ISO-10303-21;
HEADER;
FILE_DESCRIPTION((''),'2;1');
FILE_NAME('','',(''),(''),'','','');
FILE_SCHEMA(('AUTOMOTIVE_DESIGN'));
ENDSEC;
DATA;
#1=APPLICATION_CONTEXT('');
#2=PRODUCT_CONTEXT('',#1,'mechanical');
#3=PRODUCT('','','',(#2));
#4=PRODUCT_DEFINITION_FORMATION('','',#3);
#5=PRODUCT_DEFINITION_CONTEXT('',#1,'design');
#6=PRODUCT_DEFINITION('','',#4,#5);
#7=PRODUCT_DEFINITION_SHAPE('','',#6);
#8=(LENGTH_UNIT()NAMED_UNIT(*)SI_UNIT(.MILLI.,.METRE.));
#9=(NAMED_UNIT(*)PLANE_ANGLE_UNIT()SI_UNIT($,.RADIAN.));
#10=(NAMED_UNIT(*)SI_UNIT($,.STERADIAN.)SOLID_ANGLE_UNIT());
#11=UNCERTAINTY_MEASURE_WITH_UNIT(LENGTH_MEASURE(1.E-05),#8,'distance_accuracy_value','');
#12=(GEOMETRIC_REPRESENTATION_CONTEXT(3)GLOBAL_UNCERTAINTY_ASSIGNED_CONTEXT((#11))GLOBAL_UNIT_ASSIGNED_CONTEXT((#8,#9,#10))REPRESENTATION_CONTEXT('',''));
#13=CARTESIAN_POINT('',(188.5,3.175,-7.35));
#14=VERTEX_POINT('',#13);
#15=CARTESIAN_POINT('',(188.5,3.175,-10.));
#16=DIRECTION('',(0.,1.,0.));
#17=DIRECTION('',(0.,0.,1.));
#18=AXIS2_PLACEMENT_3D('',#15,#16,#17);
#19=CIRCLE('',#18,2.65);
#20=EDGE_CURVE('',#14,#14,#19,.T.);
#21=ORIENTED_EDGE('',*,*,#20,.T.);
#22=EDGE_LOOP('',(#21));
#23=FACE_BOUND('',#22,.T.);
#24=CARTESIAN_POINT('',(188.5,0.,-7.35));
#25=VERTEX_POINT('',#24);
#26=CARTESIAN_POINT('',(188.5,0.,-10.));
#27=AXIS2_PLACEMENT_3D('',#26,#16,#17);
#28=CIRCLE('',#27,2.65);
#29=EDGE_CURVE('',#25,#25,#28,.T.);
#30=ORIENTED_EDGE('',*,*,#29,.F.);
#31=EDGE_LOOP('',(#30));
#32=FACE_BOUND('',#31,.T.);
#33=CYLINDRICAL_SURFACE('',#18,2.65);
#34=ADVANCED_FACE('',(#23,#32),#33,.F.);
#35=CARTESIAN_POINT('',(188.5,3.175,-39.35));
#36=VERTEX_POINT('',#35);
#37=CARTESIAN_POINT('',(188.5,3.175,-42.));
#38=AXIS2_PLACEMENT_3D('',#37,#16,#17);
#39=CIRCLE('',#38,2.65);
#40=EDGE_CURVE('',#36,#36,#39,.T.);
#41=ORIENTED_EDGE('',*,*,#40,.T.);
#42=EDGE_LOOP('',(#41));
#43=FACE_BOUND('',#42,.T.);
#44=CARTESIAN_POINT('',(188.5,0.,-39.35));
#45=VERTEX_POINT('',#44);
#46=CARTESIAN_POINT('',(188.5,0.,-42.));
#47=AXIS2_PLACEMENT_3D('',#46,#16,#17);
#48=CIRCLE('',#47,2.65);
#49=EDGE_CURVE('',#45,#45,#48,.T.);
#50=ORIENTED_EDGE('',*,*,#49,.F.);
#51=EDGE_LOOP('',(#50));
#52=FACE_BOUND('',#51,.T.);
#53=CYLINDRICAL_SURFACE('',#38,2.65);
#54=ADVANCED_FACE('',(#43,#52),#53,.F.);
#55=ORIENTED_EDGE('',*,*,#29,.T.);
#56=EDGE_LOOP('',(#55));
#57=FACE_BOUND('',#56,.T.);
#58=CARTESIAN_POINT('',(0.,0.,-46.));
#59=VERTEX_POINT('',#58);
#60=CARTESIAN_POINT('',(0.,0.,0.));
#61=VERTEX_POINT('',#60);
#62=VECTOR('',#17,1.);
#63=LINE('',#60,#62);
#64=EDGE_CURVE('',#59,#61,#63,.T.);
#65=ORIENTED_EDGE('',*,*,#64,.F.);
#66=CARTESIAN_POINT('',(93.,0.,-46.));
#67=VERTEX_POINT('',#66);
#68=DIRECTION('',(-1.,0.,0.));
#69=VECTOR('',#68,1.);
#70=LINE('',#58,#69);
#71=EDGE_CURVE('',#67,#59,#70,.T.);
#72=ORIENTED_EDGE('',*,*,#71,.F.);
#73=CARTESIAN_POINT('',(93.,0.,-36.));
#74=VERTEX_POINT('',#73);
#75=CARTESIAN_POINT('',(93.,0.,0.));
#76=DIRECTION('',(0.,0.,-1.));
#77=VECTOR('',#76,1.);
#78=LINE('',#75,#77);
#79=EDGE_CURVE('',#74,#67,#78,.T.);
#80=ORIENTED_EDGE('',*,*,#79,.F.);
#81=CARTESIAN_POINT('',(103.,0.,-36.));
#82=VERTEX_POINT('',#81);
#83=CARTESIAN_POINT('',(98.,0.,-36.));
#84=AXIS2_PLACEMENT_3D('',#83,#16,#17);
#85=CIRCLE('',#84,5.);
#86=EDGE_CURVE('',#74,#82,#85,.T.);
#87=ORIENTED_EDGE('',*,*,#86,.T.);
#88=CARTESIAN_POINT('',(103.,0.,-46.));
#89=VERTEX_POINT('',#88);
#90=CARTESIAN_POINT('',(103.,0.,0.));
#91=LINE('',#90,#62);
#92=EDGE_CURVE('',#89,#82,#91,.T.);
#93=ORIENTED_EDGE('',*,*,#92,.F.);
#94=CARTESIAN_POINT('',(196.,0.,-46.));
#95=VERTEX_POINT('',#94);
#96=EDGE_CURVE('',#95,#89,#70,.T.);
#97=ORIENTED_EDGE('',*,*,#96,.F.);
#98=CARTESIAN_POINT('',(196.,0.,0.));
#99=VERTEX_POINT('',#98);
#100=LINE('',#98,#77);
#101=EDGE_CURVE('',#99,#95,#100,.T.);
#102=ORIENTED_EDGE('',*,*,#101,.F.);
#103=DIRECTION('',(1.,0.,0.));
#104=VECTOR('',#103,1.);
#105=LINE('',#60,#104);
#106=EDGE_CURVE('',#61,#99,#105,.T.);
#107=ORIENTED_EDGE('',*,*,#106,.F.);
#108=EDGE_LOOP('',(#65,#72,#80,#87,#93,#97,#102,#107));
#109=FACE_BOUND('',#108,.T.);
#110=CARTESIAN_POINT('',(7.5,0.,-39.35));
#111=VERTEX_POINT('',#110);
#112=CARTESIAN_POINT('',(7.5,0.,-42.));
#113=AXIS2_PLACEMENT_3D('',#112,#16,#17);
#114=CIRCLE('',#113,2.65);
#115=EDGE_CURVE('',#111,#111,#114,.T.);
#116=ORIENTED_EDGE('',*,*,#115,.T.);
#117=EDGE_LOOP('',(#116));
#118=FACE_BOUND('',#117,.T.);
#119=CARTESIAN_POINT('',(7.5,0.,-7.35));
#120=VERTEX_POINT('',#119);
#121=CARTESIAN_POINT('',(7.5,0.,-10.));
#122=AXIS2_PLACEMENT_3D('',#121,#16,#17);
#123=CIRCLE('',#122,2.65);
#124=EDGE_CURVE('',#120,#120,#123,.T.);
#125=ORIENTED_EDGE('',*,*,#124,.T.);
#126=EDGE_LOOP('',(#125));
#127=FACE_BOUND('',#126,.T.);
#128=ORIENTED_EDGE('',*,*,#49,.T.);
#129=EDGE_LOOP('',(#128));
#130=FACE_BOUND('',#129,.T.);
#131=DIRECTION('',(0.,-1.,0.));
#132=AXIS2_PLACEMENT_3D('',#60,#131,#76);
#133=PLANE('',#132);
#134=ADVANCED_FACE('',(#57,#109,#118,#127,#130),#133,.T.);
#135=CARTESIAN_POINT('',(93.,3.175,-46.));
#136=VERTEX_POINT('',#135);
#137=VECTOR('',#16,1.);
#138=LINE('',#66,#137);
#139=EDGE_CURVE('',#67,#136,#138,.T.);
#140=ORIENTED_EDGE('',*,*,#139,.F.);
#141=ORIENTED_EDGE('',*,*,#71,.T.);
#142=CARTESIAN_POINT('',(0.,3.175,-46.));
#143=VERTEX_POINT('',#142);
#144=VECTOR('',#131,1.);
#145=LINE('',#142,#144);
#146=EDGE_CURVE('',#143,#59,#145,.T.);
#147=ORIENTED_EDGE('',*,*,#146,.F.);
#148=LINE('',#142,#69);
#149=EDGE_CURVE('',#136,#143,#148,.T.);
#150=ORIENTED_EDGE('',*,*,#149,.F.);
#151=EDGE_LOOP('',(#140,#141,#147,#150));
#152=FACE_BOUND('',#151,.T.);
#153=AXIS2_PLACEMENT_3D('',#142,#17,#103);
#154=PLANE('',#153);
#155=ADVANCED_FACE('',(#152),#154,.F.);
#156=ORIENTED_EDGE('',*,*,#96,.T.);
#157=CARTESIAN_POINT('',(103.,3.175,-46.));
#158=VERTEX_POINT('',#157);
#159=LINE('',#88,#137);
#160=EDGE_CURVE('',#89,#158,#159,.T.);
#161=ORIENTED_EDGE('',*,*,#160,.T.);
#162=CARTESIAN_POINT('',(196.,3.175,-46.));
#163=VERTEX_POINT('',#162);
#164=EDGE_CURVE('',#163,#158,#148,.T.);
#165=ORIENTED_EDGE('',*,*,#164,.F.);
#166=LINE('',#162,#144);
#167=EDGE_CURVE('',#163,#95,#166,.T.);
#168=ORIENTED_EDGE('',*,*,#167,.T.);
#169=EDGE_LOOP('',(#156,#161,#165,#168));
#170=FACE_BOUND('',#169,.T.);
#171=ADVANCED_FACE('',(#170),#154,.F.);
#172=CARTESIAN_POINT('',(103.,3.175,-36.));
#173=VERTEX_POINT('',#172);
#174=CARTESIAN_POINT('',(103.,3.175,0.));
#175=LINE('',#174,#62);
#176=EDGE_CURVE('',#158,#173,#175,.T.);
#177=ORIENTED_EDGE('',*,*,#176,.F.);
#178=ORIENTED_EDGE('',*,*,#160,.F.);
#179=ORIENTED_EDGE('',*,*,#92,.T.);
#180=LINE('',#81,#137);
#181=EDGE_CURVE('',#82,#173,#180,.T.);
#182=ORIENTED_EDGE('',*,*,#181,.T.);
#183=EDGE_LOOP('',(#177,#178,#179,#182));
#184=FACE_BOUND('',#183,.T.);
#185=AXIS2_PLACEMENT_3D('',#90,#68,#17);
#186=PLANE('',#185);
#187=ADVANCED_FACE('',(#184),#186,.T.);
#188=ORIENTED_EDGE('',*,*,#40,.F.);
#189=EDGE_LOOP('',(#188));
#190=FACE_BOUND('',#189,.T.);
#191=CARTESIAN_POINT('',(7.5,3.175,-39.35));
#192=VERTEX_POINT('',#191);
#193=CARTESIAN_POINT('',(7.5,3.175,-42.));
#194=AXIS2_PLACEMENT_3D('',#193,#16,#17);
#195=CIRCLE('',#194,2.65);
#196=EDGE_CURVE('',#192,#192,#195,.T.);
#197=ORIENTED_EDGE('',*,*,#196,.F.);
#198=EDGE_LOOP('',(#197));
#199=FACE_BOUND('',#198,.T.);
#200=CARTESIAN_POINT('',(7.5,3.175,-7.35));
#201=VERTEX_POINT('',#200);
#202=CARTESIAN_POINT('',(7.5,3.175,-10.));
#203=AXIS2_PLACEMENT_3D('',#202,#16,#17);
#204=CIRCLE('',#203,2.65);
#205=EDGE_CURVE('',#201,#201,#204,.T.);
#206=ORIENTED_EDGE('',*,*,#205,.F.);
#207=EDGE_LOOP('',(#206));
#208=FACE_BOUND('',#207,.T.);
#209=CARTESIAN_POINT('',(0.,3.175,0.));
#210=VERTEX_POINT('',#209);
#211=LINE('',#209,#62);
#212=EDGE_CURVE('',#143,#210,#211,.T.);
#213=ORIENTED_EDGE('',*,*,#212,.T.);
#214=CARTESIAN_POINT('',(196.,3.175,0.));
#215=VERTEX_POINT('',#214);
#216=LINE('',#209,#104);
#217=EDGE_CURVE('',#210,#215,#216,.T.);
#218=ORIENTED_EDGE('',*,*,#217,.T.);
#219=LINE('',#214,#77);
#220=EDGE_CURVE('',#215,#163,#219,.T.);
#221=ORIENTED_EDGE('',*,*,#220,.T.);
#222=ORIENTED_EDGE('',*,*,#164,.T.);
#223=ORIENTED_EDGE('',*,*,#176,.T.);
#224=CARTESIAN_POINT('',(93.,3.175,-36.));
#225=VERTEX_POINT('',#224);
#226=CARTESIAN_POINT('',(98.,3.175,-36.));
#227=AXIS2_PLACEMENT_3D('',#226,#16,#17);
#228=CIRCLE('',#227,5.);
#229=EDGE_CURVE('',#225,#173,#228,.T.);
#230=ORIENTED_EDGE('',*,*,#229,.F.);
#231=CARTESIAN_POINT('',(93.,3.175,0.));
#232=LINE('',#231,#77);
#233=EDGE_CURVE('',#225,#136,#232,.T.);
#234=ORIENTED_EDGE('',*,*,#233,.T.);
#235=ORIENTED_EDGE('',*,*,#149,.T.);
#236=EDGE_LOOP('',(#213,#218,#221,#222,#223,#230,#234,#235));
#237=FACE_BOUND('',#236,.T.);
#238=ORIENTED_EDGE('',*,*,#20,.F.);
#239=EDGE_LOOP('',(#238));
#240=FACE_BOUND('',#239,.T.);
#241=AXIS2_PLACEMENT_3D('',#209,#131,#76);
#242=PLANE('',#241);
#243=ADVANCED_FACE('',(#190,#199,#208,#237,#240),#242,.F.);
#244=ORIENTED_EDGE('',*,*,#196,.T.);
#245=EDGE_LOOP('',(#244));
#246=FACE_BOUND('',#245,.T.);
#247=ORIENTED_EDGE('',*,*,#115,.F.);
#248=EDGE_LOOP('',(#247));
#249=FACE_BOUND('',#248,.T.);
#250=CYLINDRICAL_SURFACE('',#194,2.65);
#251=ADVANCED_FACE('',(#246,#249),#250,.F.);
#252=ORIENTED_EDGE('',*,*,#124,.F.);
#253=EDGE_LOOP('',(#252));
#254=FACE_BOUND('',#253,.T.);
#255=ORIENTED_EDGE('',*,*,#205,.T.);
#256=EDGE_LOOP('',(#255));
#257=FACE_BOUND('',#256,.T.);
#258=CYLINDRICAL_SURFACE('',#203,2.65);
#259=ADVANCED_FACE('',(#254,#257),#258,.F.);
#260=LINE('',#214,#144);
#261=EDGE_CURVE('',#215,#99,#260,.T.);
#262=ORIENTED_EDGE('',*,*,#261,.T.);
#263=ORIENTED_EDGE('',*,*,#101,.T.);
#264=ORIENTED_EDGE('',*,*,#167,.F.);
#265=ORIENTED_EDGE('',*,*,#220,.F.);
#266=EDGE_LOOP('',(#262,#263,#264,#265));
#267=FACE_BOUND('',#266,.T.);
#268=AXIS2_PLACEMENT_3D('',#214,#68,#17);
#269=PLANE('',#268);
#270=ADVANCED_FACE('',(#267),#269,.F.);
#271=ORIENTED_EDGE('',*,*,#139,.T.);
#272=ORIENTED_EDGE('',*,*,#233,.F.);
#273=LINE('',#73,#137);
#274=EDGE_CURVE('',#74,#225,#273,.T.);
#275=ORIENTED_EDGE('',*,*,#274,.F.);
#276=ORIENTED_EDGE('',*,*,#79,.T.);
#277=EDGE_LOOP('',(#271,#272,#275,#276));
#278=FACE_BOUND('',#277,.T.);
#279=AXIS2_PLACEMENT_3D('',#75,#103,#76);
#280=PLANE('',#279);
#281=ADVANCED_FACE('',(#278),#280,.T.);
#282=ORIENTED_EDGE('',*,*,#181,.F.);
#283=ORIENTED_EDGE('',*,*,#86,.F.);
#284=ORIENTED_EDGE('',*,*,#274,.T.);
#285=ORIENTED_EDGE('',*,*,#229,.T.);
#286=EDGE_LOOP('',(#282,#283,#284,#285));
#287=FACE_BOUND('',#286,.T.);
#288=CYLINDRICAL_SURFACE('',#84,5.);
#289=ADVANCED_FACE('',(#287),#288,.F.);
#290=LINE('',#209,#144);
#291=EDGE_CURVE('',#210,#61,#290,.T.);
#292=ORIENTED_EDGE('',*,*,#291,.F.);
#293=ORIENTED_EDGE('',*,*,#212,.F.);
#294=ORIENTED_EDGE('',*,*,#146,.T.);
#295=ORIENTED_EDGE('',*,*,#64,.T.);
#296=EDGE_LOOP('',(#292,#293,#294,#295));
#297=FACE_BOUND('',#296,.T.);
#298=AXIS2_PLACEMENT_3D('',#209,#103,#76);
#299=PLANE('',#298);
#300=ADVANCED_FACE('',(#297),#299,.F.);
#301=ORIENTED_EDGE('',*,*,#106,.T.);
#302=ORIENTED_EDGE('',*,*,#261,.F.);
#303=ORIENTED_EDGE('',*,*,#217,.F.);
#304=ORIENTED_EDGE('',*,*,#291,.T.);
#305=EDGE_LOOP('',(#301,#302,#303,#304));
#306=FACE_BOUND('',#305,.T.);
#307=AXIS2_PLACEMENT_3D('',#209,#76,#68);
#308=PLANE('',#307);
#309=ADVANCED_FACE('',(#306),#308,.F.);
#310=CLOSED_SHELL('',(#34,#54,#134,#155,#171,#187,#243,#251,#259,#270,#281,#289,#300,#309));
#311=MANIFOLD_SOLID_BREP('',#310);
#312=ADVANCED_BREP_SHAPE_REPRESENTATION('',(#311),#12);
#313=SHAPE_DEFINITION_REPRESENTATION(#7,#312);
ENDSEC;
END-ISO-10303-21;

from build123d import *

# Parameters (mm, degrees)
SKETCH1_W            = 196
SKETCH1_H            = 46
BOSS_EXTRUDE1_DEPTH  = 3.175
SKETCH2_W            = 10
SKETCH2_H            = 10
CUT_EXTRUDE1_DEPTH   = 3.175
M5_CLEARANCE_HOLE1_D = 5.3


with BuildPart() as part:
    # Sketch1 → Boss-Extrude1 (new body)
    with BuildSketch(Plane(origin=(0, 0, 0), x_dir=(1, 0, 0), z_dir=(0, 1, 0))):
        with Locations((98, 23)):
            Rectangle(SKETCH1_W, SKETCH1_H)
    extrude(amount=BOSS_EXTRUDE1_DEPTH)

    # Sketch2 → Cut-Extrude1 (cut)
    with BuildSketch(Plane(origin=(0, 3.175, 0), x_dir=(1, 0, 0), z_dir=(0, 1, 0))):
        with Locations((98, 41)):
            Rectangle(SKETCH2_W, SKETCH2_H)
        with BuildLine():
            ThreePointArc((93, 36), (98, 31), (103, 36))
            Line((103, 36), (93, 36))
        make_face()
    extrude(amount=-CUT_EXTRUDE1_DEPTH, mode=Mode.SUBTRACT)

    # M5 Clearance Hole1 (through all)
    with Locations(Plane(origin=(0, 3.175, 0), x_dir=(1, 0, 0), z_dir=(0, 1, 0))):
        with Locations((188.5, 10), (7.5, 10), (188.5, 42), (7.5, 42)):
            Hole(M5_CLEARANCE_HOLE1_D / 2)


solid = part.part
